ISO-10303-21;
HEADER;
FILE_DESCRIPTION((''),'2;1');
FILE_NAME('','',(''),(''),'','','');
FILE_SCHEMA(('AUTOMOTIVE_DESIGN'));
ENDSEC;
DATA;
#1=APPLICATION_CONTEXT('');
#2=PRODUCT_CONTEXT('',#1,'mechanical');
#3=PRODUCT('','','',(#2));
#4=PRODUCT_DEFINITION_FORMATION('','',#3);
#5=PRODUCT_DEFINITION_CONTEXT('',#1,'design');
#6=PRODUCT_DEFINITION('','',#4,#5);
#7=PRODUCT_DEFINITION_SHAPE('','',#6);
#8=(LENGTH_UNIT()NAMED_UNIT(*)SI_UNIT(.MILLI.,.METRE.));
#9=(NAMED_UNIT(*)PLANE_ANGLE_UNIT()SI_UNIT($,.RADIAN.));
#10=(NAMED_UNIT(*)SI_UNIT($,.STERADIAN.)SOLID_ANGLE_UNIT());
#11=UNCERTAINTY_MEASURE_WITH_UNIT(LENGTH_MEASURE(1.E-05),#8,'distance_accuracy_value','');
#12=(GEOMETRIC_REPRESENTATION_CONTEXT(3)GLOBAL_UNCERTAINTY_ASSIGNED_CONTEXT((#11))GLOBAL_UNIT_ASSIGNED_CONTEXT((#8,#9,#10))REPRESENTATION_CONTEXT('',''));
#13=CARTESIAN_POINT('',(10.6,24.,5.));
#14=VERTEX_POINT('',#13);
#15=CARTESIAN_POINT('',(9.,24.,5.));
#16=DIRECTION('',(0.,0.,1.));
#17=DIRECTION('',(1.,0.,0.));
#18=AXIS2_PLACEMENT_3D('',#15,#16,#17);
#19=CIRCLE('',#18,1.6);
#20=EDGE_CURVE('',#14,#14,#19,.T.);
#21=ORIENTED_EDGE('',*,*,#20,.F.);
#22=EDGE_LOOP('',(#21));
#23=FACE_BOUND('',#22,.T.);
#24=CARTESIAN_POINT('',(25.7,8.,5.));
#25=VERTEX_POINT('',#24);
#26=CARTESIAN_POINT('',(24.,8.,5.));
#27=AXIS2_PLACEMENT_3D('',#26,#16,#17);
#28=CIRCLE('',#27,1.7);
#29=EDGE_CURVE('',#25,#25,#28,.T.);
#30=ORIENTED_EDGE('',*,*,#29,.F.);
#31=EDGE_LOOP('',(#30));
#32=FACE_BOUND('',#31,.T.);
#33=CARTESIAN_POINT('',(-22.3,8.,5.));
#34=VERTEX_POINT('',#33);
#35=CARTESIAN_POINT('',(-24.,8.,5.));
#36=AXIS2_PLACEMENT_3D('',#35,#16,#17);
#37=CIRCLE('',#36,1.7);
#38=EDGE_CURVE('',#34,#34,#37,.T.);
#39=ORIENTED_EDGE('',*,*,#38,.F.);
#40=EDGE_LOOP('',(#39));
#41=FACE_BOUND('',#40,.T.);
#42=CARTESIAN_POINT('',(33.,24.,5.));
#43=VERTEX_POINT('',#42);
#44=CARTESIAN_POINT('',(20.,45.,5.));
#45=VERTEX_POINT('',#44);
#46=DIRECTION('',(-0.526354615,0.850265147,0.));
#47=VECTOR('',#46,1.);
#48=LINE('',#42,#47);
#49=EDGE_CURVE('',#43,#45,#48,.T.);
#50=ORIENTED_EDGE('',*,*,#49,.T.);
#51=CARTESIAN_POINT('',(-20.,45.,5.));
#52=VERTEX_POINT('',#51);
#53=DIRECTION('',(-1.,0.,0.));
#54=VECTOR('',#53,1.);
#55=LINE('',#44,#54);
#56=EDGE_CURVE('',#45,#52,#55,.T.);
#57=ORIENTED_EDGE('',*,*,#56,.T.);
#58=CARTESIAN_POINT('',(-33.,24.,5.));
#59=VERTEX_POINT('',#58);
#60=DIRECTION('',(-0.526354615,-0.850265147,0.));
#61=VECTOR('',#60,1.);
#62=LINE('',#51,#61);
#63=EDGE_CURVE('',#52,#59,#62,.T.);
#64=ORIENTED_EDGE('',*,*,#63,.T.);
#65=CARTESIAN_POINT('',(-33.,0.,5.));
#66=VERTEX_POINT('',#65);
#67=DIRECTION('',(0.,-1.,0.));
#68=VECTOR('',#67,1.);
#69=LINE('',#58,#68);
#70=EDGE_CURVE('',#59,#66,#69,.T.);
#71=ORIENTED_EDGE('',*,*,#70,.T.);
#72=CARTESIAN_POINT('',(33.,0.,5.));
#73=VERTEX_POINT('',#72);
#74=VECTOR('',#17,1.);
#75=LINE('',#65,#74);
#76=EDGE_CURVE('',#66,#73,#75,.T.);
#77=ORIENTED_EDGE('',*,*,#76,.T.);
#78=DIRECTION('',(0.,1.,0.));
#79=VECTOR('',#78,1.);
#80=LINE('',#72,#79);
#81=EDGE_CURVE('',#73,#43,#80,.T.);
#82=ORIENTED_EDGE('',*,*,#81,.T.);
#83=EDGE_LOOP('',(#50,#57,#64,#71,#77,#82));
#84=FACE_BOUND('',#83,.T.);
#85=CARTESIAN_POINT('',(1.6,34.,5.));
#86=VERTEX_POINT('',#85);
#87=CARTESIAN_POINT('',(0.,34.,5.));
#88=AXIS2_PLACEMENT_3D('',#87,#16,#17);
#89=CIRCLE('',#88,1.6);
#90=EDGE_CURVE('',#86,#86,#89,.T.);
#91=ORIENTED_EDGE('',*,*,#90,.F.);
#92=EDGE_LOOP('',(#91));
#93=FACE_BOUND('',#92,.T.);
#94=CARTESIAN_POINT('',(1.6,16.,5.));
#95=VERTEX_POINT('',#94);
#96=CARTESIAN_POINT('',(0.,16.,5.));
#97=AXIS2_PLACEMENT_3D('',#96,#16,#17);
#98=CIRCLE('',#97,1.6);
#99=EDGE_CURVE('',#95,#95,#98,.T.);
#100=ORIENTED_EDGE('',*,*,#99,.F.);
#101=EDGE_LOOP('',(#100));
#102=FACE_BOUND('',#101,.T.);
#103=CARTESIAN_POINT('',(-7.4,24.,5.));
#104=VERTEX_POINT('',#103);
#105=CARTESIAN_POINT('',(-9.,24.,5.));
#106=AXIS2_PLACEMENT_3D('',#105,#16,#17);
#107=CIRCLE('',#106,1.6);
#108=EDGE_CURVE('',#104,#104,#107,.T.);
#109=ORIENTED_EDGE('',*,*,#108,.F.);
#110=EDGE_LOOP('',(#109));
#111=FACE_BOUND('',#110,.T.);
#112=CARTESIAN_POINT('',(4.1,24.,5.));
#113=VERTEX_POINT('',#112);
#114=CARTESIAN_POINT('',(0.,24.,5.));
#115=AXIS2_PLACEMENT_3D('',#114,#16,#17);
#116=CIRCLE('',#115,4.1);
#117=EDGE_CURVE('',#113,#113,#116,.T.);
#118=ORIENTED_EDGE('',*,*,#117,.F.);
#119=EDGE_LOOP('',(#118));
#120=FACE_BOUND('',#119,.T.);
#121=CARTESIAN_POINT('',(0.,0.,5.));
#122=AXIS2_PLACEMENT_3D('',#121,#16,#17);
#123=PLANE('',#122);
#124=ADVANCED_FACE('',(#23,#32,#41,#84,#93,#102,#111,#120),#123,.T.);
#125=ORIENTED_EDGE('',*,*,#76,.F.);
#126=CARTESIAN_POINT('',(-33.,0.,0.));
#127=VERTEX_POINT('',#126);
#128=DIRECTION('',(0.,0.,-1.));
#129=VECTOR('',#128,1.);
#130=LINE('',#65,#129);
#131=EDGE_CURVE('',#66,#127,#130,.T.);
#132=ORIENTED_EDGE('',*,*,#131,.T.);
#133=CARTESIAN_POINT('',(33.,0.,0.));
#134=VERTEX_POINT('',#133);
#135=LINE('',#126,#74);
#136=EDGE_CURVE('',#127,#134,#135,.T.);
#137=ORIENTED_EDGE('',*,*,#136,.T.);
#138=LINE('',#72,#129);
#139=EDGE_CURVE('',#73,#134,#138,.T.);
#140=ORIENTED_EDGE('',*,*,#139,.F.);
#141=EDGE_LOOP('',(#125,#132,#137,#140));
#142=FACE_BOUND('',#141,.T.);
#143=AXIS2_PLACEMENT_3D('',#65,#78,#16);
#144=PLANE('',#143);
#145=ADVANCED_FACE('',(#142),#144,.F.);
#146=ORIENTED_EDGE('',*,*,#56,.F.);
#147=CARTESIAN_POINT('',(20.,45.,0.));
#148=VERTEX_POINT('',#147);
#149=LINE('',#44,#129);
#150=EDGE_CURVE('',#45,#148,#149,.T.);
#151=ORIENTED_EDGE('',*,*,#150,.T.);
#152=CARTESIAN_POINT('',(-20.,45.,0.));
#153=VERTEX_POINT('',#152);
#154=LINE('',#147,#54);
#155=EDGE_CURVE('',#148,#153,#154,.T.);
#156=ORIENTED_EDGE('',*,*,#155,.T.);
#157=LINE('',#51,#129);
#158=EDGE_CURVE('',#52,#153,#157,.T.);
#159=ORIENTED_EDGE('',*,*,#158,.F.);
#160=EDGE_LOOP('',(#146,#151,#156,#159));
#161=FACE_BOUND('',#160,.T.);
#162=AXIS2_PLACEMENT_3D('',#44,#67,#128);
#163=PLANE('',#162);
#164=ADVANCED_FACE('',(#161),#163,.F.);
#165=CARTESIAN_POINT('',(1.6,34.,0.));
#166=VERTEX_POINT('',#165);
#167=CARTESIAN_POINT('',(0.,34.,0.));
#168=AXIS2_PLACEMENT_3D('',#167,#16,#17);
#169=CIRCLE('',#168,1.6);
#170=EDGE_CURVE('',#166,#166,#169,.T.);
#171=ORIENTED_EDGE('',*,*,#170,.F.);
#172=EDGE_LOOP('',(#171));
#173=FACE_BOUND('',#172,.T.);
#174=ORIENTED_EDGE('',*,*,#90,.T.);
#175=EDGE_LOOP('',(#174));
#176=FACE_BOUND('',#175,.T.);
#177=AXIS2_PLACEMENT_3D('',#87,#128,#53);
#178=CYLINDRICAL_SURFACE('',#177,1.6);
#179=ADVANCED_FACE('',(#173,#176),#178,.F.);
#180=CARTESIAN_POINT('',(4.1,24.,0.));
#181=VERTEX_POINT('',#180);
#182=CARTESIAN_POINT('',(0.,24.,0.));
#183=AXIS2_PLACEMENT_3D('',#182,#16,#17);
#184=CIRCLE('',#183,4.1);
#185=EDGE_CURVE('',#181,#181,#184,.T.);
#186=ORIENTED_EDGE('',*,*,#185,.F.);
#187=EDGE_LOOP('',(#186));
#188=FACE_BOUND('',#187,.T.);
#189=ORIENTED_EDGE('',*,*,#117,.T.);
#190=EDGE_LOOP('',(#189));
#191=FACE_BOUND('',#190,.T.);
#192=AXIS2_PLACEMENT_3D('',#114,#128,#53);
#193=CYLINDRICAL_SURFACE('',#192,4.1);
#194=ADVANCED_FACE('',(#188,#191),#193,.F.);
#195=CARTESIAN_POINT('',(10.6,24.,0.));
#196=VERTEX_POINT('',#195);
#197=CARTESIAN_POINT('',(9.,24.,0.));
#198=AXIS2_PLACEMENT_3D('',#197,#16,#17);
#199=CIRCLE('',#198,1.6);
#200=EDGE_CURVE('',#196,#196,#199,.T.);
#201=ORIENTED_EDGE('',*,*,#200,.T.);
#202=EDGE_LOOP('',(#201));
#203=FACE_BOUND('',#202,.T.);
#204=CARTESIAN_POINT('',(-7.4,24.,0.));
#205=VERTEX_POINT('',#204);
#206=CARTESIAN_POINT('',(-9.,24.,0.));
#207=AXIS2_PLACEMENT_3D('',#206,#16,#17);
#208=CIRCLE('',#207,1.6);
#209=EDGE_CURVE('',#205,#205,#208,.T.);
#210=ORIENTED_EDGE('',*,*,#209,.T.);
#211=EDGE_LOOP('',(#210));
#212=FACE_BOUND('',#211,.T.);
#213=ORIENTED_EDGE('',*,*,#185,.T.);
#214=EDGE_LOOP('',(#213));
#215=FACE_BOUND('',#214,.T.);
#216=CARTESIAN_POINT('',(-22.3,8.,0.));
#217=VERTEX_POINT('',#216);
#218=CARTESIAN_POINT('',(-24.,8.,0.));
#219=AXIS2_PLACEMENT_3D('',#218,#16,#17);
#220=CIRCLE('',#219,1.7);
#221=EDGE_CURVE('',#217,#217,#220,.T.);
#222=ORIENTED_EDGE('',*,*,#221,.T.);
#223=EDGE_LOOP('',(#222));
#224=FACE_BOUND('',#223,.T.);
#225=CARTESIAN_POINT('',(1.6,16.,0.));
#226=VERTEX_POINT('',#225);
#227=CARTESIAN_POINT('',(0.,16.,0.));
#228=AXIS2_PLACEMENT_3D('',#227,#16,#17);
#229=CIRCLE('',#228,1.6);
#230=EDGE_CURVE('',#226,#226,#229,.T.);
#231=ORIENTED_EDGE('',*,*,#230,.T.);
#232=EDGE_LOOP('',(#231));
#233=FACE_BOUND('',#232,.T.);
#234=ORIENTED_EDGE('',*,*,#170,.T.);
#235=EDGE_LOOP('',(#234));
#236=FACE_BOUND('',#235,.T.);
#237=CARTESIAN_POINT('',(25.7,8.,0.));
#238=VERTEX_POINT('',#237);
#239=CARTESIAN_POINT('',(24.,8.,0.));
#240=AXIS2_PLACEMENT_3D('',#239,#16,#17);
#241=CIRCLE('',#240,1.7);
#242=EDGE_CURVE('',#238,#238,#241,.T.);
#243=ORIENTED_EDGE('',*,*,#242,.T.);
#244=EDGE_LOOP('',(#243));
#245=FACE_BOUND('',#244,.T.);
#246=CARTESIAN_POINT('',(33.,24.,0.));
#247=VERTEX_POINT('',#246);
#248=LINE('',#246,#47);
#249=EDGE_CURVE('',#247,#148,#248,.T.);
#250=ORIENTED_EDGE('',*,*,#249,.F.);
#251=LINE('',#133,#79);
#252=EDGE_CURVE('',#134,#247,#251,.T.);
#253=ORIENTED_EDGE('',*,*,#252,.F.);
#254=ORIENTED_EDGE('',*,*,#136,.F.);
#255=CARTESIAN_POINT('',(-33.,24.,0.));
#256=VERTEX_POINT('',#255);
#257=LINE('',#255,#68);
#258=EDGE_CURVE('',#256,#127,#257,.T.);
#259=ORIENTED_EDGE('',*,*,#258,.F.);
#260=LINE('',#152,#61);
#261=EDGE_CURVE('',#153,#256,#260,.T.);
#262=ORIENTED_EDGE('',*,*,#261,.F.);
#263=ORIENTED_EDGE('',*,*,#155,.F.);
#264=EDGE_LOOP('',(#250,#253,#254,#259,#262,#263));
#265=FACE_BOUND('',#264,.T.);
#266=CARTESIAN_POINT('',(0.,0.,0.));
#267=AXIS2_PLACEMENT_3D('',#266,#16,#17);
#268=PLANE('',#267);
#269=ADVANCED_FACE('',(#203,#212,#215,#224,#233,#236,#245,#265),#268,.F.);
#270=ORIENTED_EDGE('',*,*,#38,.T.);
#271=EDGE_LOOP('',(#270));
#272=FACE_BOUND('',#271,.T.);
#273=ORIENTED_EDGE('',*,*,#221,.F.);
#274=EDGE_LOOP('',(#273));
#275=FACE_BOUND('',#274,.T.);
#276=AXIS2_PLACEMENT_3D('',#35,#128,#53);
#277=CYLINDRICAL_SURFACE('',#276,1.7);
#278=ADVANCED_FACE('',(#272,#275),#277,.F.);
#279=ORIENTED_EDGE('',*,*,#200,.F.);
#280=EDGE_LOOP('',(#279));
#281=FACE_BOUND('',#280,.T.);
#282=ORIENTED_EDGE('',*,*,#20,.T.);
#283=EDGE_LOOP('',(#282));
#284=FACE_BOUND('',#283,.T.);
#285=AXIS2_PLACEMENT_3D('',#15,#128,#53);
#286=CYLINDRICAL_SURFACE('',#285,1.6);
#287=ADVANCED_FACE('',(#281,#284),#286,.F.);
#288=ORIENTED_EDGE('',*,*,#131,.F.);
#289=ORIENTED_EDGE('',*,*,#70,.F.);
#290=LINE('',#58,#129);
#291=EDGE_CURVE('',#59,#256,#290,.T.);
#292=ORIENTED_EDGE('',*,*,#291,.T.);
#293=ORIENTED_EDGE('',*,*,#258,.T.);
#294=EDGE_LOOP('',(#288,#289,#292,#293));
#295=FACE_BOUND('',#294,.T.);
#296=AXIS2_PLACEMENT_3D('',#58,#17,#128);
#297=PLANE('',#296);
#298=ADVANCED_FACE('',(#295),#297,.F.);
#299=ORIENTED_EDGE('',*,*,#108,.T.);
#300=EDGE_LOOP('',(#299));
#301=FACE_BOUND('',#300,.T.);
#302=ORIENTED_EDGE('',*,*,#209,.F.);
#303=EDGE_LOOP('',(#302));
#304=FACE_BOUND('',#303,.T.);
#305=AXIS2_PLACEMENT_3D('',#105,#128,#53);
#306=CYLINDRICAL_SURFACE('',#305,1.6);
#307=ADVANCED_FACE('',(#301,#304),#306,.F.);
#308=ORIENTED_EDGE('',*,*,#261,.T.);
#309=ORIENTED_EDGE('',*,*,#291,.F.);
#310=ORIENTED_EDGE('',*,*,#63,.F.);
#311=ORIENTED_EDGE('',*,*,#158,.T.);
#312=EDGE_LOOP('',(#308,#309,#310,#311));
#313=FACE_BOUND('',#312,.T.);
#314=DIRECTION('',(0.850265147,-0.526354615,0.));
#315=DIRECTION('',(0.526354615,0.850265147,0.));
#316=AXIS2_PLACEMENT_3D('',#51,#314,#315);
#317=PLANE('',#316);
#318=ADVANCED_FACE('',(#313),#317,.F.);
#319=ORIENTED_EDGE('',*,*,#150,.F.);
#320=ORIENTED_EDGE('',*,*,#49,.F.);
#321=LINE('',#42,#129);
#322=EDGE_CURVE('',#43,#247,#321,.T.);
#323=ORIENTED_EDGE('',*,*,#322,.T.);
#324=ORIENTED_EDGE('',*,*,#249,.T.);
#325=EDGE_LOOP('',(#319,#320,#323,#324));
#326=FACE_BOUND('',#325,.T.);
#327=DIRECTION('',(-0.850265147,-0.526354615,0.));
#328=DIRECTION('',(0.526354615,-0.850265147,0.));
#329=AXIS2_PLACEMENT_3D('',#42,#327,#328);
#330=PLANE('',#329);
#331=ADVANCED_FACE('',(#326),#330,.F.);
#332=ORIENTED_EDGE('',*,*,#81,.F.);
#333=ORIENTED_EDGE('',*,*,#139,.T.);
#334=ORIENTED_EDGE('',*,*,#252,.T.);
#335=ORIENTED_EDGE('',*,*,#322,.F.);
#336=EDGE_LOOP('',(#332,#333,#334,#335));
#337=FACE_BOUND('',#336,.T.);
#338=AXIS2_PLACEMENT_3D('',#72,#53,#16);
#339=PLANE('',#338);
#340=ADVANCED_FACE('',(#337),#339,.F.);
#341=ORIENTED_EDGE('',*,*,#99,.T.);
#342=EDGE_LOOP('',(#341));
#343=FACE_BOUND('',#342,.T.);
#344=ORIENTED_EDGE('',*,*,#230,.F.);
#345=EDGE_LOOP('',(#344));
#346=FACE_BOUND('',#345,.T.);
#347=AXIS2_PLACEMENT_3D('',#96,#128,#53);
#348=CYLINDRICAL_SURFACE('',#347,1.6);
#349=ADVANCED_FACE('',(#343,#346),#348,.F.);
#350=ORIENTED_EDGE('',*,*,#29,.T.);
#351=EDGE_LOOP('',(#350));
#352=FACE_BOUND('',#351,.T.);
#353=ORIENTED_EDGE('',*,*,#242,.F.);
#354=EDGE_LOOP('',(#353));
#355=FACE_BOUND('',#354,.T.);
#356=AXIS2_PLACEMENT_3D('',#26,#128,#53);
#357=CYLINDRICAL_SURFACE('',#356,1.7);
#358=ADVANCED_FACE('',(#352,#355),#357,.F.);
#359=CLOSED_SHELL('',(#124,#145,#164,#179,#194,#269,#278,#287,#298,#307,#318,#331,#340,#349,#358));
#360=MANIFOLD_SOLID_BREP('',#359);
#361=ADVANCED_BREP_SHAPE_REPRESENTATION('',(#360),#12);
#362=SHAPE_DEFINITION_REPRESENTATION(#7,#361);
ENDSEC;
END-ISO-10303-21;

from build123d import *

# Parameters (mm, degrees)
SKETCH_1_R                 = 4.1
SKETCH_1_R_2               = 1.6
SKETCH_1_R_3               = 1.7
F_10_CAMERA_SIDE_EAR_DEPTH = 5


with BuildPart() as part:
    # Эскиз1 → 10_Camera_side_ear (new body)
    with BuildSketch(Plane.XY):
        Polygon((-33, 0), (33, 0), (33, 24), (20, 45), (-20, 45), (-33, 24), align=None)
        with Locations((0, 24)):
            Circle(SKETCH_1_R, mode=Mode.SUBTRACT)
        with Locations((-9, 24)):
            Circle(SKETCH_1_R_2, mode=Mode.SUBTRACT)
        with Locations((9, 24)):
            Circle(SKETCH_1_R_2, mode=Mode.SUBTRACT)
        with Locations((0, 16)):
            Circle(SKETCH_1_R_2, mode=Mode.SUBTRACT)
        with Locations((0, 34)):
            Circle(SKETCH_1_R_2, mode=Mode.SUBTRACT)
        with Locations((-24, 8)):
            Circle(SKETCH_1_R_3, mode=Mode.SUBTRACT)
        with Locations((24, 8)):
            Circle(SKETCH_1_R_3, mode=Mode.SUBTRACT)
    extrude(amount=F_10_CAMERA_SIDE_EAR_DEPTH)


solid = part.part
